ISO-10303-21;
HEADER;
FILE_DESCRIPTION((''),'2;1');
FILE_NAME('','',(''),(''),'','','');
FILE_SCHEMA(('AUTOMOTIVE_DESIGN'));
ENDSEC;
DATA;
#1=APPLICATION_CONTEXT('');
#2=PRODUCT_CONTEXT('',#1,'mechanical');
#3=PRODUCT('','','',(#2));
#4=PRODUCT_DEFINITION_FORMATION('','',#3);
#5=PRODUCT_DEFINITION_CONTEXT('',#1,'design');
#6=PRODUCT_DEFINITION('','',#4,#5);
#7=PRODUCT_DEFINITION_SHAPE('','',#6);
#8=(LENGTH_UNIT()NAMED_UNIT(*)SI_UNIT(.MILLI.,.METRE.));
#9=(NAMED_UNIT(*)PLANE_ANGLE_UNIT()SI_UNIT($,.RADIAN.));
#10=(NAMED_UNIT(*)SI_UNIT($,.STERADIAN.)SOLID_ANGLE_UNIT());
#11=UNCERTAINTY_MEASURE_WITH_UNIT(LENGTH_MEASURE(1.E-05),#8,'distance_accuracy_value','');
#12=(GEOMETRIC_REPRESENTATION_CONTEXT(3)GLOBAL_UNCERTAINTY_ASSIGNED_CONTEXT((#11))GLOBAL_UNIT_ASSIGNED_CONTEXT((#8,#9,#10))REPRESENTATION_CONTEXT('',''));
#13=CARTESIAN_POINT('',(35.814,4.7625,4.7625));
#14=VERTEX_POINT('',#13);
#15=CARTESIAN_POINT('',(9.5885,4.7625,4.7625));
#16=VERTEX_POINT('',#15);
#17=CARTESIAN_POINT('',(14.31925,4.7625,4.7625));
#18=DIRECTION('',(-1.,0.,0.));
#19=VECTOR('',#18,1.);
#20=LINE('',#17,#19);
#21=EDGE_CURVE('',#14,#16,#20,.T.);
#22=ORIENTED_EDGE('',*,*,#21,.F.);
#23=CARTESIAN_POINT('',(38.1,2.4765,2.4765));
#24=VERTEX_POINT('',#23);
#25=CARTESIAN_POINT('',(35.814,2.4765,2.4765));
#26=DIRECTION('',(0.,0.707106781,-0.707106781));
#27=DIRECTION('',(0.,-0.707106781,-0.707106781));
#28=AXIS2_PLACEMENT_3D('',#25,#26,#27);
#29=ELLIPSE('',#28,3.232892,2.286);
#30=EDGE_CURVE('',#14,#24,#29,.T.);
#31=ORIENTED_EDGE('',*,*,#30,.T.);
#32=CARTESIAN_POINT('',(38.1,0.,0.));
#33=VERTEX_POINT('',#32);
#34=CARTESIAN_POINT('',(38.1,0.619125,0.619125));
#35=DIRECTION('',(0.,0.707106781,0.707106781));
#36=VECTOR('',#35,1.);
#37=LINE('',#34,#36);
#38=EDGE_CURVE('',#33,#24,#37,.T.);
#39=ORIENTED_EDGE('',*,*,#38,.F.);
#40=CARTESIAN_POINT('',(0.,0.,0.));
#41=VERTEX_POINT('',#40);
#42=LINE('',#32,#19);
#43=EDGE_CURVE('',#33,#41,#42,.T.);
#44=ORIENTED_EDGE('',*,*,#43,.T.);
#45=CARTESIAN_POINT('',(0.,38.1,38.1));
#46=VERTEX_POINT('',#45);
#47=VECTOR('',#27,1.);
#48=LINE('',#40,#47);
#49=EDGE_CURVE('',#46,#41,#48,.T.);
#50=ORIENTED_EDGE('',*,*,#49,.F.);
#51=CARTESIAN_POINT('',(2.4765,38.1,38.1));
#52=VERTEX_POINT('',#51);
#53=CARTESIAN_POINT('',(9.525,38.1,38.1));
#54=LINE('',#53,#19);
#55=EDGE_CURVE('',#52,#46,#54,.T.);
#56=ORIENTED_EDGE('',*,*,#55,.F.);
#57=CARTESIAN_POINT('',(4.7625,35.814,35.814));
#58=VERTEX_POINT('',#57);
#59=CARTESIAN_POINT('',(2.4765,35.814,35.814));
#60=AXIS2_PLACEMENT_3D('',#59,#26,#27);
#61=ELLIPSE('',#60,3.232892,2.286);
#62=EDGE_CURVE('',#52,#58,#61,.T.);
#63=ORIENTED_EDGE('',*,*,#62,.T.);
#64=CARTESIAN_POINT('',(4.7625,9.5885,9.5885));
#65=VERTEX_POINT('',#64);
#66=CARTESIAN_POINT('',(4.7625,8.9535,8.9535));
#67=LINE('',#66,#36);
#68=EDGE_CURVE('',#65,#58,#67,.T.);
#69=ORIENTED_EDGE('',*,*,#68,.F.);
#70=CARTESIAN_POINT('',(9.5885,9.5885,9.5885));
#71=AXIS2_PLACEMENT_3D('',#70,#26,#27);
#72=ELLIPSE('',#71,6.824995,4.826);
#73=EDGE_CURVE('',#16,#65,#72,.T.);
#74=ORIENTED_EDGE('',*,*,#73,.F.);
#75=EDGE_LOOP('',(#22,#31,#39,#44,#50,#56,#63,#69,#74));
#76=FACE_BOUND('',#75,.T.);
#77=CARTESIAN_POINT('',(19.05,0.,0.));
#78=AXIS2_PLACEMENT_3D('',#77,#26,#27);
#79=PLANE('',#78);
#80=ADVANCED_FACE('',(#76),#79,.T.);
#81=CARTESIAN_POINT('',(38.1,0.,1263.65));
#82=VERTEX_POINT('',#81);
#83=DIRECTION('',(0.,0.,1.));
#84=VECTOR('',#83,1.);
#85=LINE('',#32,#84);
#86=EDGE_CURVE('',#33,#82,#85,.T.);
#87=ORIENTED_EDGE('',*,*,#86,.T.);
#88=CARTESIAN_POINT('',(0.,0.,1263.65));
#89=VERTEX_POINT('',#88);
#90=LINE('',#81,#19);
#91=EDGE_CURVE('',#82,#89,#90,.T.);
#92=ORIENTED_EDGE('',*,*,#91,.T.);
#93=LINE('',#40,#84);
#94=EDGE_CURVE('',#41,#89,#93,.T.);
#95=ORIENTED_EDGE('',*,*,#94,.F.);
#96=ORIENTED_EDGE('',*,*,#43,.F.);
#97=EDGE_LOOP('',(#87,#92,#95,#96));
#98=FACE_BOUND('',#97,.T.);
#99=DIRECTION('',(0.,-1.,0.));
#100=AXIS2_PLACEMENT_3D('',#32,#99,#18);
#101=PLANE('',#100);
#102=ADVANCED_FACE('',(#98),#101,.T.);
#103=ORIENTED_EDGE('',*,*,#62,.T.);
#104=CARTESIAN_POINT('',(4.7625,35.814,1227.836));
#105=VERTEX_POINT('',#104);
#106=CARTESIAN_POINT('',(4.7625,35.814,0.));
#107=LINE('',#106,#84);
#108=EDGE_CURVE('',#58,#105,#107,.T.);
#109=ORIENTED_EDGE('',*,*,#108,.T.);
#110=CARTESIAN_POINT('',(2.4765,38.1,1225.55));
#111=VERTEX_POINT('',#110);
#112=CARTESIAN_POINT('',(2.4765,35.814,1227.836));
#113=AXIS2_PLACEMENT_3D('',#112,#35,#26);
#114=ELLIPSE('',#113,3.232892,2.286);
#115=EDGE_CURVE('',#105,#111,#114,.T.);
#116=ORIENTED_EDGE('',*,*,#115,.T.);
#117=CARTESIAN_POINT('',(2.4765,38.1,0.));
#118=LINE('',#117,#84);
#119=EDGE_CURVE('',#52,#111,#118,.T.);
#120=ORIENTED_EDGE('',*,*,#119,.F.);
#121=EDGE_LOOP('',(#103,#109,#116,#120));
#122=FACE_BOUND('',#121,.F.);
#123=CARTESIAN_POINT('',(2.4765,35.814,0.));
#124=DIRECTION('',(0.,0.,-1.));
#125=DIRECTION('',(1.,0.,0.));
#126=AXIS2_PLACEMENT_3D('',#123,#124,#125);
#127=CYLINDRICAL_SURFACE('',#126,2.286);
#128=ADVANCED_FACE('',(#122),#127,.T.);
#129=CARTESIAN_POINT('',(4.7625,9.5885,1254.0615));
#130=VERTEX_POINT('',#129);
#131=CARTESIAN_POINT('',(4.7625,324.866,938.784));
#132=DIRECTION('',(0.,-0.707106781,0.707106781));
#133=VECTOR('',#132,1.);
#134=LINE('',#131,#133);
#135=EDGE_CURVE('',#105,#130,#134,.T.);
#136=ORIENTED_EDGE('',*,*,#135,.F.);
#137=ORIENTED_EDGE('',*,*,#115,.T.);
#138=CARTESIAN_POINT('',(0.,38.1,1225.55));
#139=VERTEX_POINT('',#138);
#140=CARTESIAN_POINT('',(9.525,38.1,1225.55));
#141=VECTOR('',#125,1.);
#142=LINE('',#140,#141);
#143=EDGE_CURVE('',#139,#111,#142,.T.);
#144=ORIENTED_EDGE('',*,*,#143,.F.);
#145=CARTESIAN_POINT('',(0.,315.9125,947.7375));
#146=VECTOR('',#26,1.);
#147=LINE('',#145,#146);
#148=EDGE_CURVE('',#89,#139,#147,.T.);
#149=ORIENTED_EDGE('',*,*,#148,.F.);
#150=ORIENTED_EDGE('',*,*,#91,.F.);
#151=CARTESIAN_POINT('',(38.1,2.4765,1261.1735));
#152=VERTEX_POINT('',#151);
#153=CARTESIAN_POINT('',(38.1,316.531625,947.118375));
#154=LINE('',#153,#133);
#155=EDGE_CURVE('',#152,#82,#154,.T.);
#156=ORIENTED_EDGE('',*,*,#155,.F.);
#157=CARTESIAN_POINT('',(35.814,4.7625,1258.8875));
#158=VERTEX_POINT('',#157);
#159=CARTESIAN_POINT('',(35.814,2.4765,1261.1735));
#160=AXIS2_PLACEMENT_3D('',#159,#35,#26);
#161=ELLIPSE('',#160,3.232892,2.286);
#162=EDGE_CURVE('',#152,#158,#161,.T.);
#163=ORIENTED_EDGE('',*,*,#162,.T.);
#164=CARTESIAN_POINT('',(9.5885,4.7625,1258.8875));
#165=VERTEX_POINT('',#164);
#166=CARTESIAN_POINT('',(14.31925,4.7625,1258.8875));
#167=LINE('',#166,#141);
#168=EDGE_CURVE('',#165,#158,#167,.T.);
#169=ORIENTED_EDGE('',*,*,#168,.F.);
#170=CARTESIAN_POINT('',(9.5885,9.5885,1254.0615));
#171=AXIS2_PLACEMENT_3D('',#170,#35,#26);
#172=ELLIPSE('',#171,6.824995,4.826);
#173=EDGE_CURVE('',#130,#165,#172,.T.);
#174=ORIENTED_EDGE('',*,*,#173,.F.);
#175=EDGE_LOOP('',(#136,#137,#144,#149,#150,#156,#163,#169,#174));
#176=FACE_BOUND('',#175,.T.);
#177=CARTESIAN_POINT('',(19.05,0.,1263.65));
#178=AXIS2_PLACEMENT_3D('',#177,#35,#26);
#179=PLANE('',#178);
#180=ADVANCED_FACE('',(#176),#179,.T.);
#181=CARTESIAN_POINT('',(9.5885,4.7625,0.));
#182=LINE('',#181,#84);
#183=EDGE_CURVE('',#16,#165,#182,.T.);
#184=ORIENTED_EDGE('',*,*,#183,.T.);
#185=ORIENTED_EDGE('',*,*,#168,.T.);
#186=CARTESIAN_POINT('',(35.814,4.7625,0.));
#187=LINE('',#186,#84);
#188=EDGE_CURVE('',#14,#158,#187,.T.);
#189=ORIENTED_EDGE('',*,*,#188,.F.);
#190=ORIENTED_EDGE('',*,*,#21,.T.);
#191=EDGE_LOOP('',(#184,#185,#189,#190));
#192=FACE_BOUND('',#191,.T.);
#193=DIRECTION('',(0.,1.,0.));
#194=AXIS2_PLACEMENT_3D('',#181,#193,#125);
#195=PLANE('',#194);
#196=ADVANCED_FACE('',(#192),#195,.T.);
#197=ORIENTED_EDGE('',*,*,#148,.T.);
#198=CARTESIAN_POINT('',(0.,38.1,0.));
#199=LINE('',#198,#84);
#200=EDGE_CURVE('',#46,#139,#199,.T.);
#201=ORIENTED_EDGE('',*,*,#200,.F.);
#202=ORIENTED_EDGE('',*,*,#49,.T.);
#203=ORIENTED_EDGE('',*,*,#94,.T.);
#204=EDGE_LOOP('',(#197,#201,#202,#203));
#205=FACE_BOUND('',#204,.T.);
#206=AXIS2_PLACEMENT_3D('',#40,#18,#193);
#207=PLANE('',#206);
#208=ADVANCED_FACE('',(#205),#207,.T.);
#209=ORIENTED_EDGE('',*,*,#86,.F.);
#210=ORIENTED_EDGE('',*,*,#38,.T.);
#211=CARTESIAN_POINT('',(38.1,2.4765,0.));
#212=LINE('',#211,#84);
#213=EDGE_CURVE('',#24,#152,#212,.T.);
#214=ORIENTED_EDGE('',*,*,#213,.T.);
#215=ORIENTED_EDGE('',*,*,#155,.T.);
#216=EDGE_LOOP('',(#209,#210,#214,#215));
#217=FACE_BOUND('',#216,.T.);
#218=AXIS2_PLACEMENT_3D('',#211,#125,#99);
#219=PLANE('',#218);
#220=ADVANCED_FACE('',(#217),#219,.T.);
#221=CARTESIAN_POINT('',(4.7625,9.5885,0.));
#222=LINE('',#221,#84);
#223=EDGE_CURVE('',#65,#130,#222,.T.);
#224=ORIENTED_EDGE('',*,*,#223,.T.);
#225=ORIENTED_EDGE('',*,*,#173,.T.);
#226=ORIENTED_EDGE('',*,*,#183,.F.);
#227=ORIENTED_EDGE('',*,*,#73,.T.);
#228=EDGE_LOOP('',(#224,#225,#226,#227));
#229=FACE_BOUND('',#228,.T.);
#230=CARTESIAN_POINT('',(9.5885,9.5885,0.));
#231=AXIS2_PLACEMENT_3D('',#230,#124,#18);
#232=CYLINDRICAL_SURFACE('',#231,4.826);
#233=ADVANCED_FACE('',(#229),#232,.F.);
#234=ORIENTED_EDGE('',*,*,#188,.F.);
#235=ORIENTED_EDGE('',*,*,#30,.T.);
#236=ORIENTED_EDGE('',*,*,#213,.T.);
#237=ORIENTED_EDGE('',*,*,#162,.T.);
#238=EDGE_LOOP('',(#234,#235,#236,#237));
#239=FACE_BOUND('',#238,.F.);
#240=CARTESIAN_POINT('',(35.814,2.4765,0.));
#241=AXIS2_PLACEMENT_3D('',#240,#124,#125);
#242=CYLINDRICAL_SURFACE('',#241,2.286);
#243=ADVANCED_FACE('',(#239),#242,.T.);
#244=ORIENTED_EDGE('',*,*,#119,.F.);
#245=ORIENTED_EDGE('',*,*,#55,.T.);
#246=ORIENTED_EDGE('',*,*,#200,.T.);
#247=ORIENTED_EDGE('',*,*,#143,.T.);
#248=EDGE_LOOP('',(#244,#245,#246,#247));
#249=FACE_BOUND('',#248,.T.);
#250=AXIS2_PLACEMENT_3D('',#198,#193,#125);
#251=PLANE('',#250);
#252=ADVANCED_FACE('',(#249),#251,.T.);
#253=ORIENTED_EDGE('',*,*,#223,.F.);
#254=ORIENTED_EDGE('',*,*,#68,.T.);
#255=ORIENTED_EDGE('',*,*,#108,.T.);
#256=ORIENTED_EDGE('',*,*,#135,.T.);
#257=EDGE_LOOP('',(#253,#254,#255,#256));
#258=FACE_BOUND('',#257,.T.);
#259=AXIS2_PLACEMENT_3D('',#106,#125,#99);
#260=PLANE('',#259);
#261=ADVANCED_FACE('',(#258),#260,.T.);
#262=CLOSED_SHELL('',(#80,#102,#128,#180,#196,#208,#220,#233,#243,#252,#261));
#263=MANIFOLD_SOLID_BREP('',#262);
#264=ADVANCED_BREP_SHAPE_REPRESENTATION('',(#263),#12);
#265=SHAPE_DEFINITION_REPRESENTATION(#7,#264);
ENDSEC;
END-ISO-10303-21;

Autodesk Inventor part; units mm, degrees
ref_plane "Start plane" through (0, 0, 0) normal (0, 0, 1) x (1, 0, 0)
ref_plane "End plane" through (0, 0, 1263.65) normal (0, 0, 1) x (1, 0, 0)
sketch "Sketch" plane through (0, 0, 0) normal (0, 0, 1) x (1, 0, 0)
  line L0 (38.1, 0) -> (0, 0)
  line L1 (0, 0) -> (0, 38.1)
  line L2 (0, 38.1) -> (2.4765, 38.1)
  line L3 (4.7625, 35.814) -> (4.7625, 9.5885)
  line L4 (9.5885, 4.7625) -> (35.814, 4.7625)
  line L5 (38.1, 2.4765) -> (38.1, 0)
  line L6 (0, -11.0414) -> (0, 31.5385) construction
  line L7 (-11.0414, 0) -> (31.5385, 0) construction
  arc A0 (4.7625, 9.5885) -> (9.5885, 4.7625) centre (9.5885, 9.5885) ccw
  arc A1 (4.7625, 35.814) -> (2.4765, 38.1) centre (2.4765, 35.814) ccw
  arc A2 (38.1, 2.4765) -> (35.814, 4.7625) centre (35.814, 2.4765) ccw
  line L8 (0, 48.4964) -> (0, -20.9644) construction
  line L9 (-20.9644, 0) -> (48.4964, 0) construction
  point P0 (4.7625, 38.1)
  point P1 (4.7625, 4.7625)
  point P2 (38.1, 4.7625)
  dimension "d0" = 38.1
  dimension "d1" = 38.1
  dimension "d2" = 4.7625
  dimension "d3" = 4.7625
  dimension "d10" = 0
  dimension "d11" = 0
  dimension "d14" = 4.826
  dimension "d15" = 2.286
extrude "Body" add sketch "Sketch" along normal up to surface (1263.65 mm away) from surface at 0
sketch "Sketch3" plane through (0, 0, 0) normal (0, 0, 1) x (1, 0, 0)
  line L0 (0, 0) -> (10, 0)
ref_plane "Work Plane3" through (0, 0, 0) normal (0, -1, 0) x (1, 0, 0)
sketch "Sketch4" plane through (0, 0, 0) normal (0, -1, 0) x (1, 0, 0)
  line L0 (-2, 0) -> (12, 0)
  line L1 (-2, 1263.65) -> (12, 1263.65)
  dimension "d17" = 1263.65
ref_plane "Work Plane4" through (19.05, 0, 0) normal (0, 0.7071, -0.7071) x (1, 0, 0)
split "Split1" plane through (19.05, 0, 0) removes the side toward (0, 0.7071, -0.7071)
ref_plane "Work Plane5" through (19.05, 0, 1263.65) normal (0, 0.7071, 0.7071) x (1, 0, 0)
split "Split2" plane through (19.05, 0, 1263.65) removes the side toward (0, 0.7071, 0.7071)
equation "\"d0\" = G_H"
equation "\"d1\" = G_H"
equation "\"d2\" = G_T"
equation "\"d3\" = G_T"
equation "\"d14\" = G_IR"
equation "\"d15\" = G_ER"
equation "\"d4\" = G_L"
equation "\"G_H\" = 38.1"
equation "\"G_T\" = 4.7625"
equation "\"G_ER\" = 2.286"
equation "\"G_IR\" = 4.826"
equation "\"G_L\" = d17"
equation "\"ex\" = 0"
equation "\"G_OFFSET_START\" = 0"
equation "\"G_OFFSET_END\" = 0"
equation "\"d13\" = G_OFFSET_END + B_L"
equation "\"B_L\" = 1263.65"
properties part number "AISC - L 1.5 x 1.5 x 3/16 - 49.75" material "Steel, Mild"
